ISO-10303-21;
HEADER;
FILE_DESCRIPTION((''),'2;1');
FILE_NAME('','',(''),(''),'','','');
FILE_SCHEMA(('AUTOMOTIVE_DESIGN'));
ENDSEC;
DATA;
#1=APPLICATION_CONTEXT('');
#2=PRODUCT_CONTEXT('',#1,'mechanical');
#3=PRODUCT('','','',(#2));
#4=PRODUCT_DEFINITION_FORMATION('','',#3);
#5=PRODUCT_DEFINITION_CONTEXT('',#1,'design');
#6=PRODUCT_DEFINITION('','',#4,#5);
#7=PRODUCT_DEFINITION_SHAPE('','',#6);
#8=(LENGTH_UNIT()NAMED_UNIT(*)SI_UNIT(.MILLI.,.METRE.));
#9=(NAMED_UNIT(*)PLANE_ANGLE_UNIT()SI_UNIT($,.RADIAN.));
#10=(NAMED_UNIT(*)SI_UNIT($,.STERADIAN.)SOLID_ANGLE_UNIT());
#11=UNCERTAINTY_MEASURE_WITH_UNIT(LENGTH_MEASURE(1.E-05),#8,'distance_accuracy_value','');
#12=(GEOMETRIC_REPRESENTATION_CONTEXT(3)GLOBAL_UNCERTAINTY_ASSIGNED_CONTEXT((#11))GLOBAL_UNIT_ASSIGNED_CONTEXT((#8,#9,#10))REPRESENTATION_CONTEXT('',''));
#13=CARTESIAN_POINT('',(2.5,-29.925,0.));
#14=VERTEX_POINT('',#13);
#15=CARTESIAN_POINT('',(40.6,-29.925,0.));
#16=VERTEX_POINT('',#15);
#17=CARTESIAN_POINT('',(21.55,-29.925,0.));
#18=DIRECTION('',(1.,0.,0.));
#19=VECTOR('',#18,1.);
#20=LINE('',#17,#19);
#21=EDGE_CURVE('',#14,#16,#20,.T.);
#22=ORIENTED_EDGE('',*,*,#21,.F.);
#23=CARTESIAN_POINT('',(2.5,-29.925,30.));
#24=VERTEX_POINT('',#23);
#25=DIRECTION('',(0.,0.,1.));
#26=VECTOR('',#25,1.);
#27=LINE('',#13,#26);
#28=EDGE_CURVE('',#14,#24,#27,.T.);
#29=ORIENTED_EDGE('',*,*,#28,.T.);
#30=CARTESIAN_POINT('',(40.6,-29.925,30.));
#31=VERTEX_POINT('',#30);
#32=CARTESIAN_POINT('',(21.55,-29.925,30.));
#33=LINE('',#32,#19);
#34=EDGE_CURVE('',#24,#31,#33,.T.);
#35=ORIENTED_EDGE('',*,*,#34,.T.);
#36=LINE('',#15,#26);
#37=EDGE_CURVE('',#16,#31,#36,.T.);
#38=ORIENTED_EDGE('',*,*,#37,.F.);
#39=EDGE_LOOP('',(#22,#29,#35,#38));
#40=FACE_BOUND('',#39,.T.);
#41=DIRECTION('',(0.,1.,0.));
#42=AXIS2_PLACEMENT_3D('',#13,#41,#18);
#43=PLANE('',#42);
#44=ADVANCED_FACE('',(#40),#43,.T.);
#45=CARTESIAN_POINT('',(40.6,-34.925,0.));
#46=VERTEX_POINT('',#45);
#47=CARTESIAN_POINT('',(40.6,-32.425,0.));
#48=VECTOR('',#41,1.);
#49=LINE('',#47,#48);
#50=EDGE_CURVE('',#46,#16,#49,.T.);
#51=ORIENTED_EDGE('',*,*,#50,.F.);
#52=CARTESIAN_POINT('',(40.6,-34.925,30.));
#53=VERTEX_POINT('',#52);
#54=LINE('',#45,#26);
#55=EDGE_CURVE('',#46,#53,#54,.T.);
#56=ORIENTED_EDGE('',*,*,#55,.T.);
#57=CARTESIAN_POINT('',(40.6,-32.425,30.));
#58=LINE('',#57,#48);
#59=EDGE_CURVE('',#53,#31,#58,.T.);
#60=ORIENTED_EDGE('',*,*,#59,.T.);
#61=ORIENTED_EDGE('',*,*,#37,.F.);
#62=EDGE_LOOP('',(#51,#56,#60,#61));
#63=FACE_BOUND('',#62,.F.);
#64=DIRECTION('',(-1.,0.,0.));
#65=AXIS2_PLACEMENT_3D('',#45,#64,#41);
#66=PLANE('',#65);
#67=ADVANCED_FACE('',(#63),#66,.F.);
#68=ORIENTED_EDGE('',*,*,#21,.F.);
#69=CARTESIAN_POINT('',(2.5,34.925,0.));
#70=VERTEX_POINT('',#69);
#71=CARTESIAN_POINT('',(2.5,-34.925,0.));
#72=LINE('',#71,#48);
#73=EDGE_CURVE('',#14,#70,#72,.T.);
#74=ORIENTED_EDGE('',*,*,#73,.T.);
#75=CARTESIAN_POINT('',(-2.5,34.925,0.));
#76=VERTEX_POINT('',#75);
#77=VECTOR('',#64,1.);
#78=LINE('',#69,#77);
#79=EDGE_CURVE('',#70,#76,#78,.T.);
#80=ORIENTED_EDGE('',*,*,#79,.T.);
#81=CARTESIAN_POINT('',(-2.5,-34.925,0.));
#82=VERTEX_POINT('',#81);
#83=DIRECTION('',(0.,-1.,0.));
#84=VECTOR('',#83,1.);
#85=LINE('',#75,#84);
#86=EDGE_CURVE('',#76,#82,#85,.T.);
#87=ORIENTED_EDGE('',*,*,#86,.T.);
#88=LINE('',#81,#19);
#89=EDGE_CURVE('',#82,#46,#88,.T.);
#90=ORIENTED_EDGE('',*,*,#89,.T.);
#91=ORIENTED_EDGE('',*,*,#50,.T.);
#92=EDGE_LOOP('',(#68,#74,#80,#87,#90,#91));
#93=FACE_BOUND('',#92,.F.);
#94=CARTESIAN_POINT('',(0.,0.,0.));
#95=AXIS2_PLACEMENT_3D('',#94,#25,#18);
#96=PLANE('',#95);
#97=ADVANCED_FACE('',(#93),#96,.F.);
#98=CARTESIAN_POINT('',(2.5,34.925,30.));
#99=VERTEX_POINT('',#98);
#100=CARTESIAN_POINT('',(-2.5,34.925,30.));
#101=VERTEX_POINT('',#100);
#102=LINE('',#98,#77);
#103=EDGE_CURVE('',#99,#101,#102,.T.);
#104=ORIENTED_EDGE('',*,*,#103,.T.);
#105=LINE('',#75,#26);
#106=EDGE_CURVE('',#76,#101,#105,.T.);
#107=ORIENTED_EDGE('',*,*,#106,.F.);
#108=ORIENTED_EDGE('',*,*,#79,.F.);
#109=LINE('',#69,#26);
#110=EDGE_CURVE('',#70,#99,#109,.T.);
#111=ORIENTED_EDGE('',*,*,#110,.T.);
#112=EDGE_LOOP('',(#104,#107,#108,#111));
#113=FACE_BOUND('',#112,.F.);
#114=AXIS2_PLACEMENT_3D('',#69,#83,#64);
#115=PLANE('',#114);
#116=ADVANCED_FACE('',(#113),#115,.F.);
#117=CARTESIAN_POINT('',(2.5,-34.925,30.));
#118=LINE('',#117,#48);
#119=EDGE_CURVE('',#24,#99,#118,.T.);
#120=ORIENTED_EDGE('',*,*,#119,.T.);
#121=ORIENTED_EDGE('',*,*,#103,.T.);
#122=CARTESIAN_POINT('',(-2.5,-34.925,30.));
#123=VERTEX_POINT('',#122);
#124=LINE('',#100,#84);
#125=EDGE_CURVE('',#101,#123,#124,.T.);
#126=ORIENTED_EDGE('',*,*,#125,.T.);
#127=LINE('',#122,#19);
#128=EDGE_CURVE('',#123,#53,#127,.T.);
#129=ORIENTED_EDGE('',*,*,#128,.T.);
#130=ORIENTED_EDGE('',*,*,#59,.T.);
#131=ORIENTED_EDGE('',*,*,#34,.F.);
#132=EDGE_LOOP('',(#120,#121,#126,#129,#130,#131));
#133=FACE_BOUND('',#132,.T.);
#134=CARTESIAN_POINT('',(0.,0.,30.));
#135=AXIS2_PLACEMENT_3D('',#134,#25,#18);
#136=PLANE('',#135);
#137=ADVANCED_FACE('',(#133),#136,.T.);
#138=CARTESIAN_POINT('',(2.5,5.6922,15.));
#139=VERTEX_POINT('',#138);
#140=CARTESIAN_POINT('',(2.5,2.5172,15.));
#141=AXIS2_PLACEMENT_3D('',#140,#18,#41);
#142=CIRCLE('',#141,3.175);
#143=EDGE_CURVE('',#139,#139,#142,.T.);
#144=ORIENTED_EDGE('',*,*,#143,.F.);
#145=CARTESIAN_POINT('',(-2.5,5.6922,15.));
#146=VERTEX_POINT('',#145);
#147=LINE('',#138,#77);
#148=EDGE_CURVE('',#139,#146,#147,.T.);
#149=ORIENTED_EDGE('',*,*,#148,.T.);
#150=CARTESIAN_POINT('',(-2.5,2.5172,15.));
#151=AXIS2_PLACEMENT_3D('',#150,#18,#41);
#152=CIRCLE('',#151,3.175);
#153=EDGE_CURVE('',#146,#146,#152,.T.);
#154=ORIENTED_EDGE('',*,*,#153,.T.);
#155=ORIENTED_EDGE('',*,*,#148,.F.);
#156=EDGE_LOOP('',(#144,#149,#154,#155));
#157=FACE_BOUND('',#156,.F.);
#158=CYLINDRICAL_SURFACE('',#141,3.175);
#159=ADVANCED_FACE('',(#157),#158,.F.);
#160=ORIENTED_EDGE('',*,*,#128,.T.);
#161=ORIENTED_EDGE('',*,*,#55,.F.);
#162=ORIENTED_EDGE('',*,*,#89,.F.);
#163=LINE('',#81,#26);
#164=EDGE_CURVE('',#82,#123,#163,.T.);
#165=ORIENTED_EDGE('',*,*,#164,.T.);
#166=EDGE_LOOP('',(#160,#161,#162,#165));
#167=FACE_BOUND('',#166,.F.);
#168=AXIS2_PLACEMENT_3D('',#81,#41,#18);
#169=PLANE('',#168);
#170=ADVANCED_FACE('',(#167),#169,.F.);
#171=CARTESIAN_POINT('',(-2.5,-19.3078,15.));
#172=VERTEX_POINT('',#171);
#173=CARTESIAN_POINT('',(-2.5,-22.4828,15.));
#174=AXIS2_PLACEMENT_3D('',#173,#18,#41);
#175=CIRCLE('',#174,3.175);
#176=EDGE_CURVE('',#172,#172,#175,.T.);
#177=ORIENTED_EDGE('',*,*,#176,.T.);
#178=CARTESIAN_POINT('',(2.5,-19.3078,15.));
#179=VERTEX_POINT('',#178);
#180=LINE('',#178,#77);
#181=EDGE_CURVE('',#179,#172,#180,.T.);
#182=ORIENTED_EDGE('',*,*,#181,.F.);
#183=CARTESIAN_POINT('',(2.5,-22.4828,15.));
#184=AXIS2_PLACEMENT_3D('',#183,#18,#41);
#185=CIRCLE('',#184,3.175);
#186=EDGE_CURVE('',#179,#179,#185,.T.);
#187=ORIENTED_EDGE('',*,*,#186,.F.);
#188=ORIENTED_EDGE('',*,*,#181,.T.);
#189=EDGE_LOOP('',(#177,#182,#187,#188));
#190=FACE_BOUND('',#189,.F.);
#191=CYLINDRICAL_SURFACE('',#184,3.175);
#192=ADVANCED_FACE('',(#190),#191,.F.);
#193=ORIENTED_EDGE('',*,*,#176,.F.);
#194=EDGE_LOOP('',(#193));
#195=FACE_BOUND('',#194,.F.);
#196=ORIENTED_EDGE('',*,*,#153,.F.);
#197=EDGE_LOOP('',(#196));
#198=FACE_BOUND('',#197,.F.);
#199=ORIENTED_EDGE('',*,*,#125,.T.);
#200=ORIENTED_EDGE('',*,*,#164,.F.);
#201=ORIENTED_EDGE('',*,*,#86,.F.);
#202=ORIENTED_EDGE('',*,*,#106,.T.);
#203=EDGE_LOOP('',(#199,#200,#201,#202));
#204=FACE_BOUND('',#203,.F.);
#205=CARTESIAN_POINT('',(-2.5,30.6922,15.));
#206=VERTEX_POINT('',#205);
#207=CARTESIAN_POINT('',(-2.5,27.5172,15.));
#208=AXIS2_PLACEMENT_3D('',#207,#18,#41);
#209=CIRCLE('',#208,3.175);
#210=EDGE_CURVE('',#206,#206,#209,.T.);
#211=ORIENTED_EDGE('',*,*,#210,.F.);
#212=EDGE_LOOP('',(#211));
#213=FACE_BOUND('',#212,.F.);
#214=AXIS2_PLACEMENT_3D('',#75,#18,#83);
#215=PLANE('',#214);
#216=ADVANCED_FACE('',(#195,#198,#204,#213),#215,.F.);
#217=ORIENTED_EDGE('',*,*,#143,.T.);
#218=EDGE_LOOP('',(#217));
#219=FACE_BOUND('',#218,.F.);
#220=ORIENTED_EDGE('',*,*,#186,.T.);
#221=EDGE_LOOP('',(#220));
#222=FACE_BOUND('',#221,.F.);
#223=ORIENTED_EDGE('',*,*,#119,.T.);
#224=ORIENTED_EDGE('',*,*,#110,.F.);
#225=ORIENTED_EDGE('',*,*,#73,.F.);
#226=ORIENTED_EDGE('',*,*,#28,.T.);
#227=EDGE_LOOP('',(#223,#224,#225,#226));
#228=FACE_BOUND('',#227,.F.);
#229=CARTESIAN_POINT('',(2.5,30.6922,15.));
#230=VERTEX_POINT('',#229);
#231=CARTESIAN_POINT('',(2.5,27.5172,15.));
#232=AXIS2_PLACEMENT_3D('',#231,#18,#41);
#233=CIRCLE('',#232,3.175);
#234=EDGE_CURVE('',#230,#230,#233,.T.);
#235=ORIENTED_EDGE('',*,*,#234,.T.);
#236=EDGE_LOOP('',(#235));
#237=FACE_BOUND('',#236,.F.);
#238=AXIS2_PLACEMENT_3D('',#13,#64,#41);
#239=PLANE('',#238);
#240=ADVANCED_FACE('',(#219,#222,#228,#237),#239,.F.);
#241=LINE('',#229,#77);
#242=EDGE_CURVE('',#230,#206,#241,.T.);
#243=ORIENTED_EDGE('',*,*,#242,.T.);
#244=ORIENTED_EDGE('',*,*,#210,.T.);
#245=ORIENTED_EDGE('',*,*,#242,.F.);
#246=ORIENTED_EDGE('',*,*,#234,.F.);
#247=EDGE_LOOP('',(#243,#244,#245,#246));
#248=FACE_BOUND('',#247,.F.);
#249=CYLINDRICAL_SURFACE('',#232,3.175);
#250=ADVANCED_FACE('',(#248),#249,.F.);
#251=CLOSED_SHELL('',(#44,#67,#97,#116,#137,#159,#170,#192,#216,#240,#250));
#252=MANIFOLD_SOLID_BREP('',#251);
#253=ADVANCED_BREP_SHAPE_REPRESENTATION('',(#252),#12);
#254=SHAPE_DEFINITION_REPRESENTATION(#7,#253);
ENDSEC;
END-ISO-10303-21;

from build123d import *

# Parameters (mm, degrees)
F0_W     = 38.1
F0_H     = 5
F1_DEPTH = 30
F2_R     = 3.175
F3_DEPTH = 25.4


with BuildPart() as f1:
    # F0 (on Top) → F1 (new body)
    with BuildSketch(Plane.XY):
        Polygon((-2.5, -34.925), (2.5, -34.925), (2.5, -29.925), (2.5, 34.925), (-2.5, 34.925), align=None)
        with Locations((21.55, -32.425)):
            Rectangle(F0_W, F0_H)
    extrude(amount=F1_DEPTH)

    # F2 (on face) → F3 (cut)
    with BuildSketch(Plane.YZ.offset(2.5)):
        with Locations((-22.4828, 15)):
            Circle(F2_R)
        with Locations((2.5172, 15)):
            Circle(F2_R)
        with Locations((27.5172, 15)):
            Circle(F2_R)
    extrude(amount=-F3_DEPTH, mode=Mode.SUBTRACT)


solid = f1.part
